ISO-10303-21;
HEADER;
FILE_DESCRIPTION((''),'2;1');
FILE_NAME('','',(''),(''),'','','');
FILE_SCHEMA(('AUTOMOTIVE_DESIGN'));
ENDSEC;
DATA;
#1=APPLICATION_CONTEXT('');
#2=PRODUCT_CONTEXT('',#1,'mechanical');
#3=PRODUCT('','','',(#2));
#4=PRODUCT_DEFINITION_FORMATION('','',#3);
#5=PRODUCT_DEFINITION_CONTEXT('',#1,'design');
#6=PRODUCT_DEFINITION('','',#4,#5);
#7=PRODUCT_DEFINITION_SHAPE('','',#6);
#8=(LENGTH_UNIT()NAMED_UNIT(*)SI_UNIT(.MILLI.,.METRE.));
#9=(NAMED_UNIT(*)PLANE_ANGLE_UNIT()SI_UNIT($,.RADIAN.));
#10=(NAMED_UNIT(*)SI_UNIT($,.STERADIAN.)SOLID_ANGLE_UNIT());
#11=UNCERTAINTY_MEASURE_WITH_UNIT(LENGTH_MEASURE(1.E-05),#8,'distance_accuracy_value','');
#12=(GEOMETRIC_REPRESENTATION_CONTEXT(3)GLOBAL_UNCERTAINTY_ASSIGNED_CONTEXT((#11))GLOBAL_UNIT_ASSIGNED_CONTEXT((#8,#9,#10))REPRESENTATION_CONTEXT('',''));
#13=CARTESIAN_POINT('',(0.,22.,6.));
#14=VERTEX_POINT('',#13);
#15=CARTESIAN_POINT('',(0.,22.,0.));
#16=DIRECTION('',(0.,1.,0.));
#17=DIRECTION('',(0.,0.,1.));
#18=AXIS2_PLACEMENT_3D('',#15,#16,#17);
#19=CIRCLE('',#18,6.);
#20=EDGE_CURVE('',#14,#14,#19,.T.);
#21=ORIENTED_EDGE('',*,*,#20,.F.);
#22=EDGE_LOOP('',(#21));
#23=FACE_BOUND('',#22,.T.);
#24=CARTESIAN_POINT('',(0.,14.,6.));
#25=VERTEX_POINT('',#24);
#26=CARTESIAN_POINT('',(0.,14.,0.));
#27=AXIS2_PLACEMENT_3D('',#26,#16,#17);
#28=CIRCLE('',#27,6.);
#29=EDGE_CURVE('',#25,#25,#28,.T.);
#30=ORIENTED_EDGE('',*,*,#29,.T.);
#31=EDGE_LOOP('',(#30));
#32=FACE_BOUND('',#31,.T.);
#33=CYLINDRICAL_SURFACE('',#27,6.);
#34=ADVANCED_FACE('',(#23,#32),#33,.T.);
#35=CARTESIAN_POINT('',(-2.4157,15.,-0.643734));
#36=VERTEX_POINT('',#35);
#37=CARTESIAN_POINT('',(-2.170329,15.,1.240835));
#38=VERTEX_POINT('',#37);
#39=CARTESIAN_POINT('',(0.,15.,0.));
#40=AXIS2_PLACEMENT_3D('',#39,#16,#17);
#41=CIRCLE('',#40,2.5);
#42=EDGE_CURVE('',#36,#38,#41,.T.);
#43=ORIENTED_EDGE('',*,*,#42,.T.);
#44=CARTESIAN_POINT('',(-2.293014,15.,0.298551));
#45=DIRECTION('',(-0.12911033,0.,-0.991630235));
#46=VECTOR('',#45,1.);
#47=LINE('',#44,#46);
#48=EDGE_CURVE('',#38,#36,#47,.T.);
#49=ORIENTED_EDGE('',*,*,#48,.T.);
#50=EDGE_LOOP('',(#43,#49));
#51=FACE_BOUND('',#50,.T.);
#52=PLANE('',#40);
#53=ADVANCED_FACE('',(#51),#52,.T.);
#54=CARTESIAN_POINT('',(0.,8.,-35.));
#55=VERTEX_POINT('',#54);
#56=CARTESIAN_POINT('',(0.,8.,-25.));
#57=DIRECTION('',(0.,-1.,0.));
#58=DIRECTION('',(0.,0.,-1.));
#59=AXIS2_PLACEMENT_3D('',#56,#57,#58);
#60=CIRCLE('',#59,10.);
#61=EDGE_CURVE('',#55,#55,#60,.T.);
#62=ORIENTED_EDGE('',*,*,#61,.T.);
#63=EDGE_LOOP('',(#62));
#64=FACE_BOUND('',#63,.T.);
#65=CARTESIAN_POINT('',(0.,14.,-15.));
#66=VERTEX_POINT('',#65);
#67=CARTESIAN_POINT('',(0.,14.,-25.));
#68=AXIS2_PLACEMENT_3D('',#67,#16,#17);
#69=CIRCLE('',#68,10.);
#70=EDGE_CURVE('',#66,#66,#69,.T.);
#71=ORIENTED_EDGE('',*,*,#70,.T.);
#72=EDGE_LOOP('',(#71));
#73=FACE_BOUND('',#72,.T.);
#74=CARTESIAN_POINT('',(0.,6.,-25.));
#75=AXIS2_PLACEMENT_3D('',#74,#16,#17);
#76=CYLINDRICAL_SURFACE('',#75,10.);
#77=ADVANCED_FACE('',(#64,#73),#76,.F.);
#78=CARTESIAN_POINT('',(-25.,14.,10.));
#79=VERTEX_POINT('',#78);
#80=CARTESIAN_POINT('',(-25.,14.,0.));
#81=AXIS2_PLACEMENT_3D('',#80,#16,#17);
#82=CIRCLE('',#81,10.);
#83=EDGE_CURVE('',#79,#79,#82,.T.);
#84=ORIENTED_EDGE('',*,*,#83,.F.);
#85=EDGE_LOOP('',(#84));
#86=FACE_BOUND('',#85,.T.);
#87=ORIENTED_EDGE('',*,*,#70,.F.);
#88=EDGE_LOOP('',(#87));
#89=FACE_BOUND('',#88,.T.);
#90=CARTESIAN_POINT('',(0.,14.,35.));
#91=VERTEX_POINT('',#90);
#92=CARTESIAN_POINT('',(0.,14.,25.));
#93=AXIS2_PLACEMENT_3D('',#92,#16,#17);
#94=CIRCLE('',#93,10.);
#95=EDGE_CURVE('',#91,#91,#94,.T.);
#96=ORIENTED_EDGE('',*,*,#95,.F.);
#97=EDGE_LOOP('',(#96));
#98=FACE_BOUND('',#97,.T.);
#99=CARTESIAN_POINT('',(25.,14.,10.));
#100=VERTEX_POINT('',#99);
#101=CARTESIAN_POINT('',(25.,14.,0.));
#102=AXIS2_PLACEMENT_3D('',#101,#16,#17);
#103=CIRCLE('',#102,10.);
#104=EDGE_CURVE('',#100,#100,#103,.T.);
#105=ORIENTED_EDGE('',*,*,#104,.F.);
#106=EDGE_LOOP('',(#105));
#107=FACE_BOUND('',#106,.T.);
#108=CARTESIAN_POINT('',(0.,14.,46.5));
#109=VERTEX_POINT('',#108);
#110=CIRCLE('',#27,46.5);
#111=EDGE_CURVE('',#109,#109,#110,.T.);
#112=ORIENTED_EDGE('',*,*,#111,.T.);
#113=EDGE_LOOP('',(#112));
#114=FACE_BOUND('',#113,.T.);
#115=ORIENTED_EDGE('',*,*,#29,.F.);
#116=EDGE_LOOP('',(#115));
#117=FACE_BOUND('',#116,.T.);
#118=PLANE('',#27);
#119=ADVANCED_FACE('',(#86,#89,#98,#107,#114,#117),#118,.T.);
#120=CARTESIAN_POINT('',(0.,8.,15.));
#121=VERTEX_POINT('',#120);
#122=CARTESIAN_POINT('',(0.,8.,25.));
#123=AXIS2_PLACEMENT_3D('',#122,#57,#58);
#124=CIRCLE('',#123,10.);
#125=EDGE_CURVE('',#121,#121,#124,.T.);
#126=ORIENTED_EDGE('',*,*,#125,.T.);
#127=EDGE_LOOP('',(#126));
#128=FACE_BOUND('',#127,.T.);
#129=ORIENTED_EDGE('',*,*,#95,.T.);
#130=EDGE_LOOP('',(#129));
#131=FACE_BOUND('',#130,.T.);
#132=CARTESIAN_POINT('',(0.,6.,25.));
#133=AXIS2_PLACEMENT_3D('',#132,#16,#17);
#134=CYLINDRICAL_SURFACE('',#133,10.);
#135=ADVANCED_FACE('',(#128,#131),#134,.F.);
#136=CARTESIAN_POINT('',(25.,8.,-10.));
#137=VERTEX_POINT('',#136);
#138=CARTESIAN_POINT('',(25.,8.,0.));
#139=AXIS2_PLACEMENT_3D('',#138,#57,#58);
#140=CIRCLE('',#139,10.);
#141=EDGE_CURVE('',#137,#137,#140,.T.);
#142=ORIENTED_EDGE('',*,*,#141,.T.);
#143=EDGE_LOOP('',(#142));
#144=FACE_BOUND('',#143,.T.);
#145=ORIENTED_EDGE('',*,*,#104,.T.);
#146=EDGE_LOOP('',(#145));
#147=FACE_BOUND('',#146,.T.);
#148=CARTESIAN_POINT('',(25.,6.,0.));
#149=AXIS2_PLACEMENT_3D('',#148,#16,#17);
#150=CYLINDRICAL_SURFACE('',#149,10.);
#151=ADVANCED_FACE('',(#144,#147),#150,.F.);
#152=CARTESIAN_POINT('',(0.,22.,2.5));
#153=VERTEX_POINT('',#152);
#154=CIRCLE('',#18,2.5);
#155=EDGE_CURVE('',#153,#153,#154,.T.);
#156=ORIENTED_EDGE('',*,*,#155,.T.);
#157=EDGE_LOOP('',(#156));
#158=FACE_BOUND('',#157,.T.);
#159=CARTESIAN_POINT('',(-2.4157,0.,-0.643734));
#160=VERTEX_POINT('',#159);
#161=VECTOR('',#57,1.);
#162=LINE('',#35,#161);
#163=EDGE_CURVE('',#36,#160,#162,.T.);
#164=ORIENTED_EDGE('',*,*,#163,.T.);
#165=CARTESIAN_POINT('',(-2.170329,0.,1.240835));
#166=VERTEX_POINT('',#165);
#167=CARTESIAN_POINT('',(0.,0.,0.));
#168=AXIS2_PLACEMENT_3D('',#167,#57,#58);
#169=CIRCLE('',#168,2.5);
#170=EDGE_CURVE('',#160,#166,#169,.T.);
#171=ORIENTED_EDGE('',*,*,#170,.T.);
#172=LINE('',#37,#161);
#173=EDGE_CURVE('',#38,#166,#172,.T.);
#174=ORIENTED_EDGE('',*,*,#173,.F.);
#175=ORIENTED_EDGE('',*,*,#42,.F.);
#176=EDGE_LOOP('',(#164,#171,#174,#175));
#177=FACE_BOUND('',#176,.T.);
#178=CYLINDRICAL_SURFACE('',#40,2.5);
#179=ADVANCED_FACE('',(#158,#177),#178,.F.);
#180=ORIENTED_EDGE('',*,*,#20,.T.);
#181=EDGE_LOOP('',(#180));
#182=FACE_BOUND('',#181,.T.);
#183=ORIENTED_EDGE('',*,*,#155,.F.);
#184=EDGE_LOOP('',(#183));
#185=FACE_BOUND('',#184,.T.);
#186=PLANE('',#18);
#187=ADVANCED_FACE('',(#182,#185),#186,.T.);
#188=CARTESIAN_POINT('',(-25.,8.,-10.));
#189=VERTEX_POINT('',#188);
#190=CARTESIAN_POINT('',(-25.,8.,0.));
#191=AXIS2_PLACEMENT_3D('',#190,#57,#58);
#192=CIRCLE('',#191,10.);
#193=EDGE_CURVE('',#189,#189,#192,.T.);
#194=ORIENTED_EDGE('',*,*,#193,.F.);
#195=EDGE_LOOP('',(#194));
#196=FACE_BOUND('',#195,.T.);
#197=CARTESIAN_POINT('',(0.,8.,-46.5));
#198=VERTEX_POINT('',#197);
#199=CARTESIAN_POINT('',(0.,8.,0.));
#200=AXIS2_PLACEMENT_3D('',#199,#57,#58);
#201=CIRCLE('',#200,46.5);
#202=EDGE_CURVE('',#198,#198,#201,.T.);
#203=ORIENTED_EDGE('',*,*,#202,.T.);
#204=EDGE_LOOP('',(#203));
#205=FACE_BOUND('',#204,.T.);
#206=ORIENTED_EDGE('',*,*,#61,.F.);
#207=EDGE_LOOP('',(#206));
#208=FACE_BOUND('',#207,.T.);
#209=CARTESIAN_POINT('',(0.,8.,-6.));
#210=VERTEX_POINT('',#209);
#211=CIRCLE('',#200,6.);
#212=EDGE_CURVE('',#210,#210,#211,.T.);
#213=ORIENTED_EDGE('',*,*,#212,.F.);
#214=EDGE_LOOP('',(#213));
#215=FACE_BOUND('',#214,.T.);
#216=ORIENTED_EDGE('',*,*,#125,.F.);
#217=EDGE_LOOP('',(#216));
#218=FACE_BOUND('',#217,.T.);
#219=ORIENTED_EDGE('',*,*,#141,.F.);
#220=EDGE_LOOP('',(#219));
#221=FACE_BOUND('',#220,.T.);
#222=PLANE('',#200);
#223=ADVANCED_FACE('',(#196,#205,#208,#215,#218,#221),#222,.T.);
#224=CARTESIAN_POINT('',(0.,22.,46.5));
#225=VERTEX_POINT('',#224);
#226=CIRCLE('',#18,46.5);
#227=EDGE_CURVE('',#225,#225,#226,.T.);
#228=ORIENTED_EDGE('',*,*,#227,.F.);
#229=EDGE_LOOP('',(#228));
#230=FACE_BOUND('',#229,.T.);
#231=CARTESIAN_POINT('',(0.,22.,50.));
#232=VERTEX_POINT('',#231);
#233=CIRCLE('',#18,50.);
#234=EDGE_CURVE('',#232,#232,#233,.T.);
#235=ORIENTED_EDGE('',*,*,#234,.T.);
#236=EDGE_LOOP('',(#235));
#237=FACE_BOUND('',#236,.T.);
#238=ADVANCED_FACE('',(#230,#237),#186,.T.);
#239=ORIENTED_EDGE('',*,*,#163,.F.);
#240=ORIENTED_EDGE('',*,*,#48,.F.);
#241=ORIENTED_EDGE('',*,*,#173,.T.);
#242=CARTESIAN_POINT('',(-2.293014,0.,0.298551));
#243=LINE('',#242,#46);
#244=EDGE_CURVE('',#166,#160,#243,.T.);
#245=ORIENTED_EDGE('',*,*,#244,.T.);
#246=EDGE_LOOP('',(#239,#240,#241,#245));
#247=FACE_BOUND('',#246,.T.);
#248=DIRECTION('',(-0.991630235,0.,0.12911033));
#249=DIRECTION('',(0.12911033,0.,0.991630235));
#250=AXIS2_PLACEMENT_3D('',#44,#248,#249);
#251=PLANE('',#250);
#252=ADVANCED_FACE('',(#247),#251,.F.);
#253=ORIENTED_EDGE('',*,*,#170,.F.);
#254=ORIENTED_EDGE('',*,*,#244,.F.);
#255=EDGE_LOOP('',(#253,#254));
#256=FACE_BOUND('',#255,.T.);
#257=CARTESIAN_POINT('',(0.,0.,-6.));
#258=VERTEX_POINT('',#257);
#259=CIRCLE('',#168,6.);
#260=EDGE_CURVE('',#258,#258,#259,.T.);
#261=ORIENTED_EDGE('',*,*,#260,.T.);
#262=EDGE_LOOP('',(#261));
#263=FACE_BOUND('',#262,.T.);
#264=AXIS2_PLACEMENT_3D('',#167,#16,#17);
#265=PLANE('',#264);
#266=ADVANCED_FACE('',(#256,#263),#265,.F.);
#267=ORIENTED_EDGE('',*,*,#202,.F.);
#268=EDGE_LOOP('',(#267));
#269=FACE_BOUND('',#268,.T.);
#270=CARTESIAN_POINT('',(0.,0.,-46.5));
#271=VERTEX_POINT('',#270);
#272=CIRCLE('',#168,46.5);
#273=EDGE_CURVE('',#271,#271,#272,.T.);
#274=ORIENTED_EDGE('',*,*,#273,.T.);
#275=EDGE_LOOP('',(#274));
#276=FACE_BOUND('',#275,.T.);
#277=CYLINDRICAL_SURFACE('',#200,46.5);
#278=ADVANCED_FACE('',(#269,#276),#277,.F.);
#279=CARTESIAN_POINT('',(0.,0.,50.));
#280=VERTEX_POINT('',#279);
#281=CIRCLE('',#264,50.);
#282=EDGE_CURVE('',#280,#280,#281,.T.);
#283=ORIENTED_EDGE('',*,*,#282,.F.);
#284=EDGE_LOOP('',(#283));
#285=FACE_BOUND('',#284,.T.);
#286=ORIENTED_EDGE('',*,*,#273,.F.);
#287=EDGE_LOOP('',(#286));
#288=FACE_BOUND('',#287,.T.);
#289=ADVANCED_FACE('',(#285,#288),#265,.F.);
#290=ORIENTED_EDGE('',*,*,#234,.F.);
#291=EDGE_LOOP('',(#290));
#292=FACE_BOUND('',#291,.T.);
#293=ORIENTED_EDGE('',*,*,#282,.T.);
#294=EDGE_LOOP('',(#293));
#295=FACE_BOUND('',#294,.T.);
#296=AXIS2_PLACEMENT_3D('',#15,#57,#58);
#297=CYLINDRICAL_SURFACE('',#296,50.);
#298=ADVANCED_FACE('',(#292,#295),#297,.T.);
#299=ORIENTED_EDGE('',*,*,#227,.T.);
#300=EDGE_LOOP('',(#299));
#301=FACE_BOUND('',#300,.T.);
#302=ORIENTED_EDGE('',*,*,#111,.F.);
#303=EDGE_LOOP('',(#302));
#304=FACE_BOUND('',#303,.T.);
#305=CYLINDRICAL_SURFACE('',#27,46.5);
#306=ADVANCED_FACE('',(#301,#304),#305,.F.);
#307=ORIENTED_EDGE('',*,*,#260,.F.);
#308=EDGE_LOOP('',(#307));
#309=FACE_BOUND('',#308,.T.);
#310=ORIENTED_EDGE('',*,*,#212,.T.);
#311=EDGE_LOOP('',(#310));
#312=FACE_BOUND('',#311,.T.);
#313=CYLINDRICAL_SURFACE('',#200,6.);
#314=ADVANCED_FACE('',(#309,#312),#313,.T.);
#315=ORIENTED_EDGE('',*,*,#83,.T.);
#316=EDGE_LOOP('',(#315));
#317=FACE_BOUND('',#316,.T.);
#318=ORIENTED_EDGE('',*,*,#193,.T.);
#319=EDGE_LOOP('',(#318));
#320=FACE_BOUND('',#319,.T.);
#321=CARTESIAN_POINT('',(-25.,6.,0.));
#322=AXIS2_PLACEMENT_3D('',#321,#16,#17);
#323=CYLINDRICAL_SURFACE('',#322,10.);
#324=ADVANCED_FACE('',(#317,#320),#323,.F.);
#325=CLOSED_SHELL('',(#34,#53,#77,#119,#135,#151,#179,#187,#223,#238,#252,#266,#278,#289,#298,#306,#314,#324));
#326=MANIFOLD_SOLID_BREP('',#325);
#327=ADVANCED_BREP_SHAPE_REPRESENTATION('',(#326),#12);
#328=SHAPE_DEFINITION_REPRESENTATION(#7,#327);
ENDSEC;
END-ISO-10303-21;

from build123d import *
from build123d.topology import SkipClean

# Parameters (mm, degrees)
ESQUISSE1_R             = 50
BOSS_EXTRU_1_DEPTH      = 22
ESQUISSE2_R             = 2.5
ENL_V_MAT_EXTRU_1_DEPTH = 7
ENL_V_START             = -15
ENL_V_MAT_EXTRU_3_DEPTH = 15
ESQUISSE4_R             = 46.5
ESQUISSE4_R_2           = 6
ENL_V_MAT_EXTRU_4_DEPTH = 8
ENL_V_START_2           = -8
ESQUISSE5_R             = 46.5
ESQUISSE5_R_2           = 6
ENL_V_MAT_EXTRU_5_DEPTH = 8
ESQUISSE6_R             = 10
ENL_V_MAT_EXTRU_6_DEPTH = 8
ESQUISSE7_R             = 10
ENL_V_MAT_EXTRU_7_DEPTH = 8
ESQUISSE8_R             = 10
ENL_V_MAT_EXTRU_8_DEPTH = 8
ESQUISSE9_R             = 10
ENL_V_MAT_EXTRU_9_DEPTH = 8


with BuildPart() as part:
    # Esquisse1 → Boss.-Extru.1 (new body)
    with BuildSketch(Plane(origin=(0, 0, 0), x_dir=(1, 0, 0), z_dir=(0, 1, 0))):
        with Locations(Location((0, 0, 0), (0, 0, 270))):
            Circle(ESQUISSE1_R)
    extrude(amount=BOSS_EXTRU_1_DEPTH)

    # Esquisse2 → Enlèv. mat.-Extru.1 (cut)
    with BuildSketch(Plane(origin=(0, 22, 0), x_dir=(1, 0, 0), z_dir=(0, 1, 0))):
        with Locations(Location((0, 0, 0), (0, 0, 270))):
            Circle(ESQUISSE2_R)
    extrude(amount=-ENL_V_MAT_EXTRU_1_DEPTH, mode=Mode.SUBTRACT)

    # Esquisse3 → Enlèv. mat.-Extru.3 (cut)
    with SkipClean():  # the faces are left unmerged after this step: merging them gives an invalid solid
        with BuildSketch(Plane(origin=(0, 0, 0), x_dir=(-1, 0, 0), z_dir=(0, -1, 0)).offset(ENL_V_START)):
            with BuildLine():
                ThreePointArc((2.415699998, 0.643734045), (-2.479075587, 0.322775824), (2.170328924, -1.240835348))
                Line((2.170328924, -1.240835348), (2.415699998, 0.643734045))
            make_face()
        extrude(amount=ENL_V_MAT_EXTRU_3_DEPTH, mode=Mode.SUBTRACT)

    # Esquisse4 → Enlèv. mat.-Extru.4 (cut)
    with SkipClean():  # the faces are left unmerged after this step: merging them gives an invalid solid
        with BuildSketch(Plane(origin=(0, 22, 0), x_dir=(1, 0, 0), z_dir=(0, 1, 0))):
            with Locations(Location((0, 0, 0), (0, 0, 270))):
                Circle(ESQUISSE4_R)
            with Locations(Location((0, 0, 0), (0, 0, 270))):
                Circle(ESQUISSE4_R_2, mode=Mode.SUBTRACT)
        extrude(amount=-ENL_V_MAT_EXTRU_4_DEPTH, mode=Mode.SUBTRACT)

    # Esquisse5 → Enlèv. mat.-Extru.5 (cut)
    with SkipClean():  # the faces are left unmerged after this step: merging them gives an invalid solid
        with BuildSketch(Plane(origin=(0, 0, 0), x_dir=(-1, 0, 0), z_dir=(0, -1, 0)).offset(ENL_V_START_2)):
            with Locations(Location((0, 0, 0), (0, 0, 270))):
                Circle(ESQUISSE5_R)
            with Locations(Location((0, 0, 0), (0, 0, 270))):
                Circle(ESQUISSE5_R_2, mode=Mode.SUBTRACT)
        extrude(amount=ENL_V_MAT_EXTRU_5_DEPTH, mode=Mode.SUBTRACT)

    # Esquisse6 → Enlèv. mat.-Extru.6 (cut)
    with SkipClean():  # the faces are left unmerged after this step: merging them gives an invalid solid
        with BuildSketch(Plane(origin=(0, 14, 0), x_dir=(1, 0, 0), z_dir=(0, 1, 0))):
            with Locations(Location((0, 25, 0), (0, 0, 270))):
                Circle(ESQUISSE6_R)
        extrude(amount=-ENL_V_MAT_EXTRU_6_DEPTH, mode=Mode.SUBTRACT)

    # Esquisse7 → Enlèv. mat.-Extru.7 (cut)
    with SkipClean():  # the faces are left unmerged after this step: merging them gives an invalid solid
        with BuildSketch(Plane(origin=(0, 14, 0), x_dir=(1, 0, 0), z_dir=(0, 1, 0))):
            with Locations(Location((25, 0, 0), (0, 0, 270))):
                Circle(ESQUISSE7_R)
        extrude(amount=-ENL_V_MAT_EXTRU_7_DEPTH, mode=Mode.SUBTRACT)

    # Esquisse8 → Enlèv. mat.-Extru.8 (cut)
    with SkipClean():  # the faces are left unmerged after this step: merging them gives an invalid solid
        with BuildSketch(Plane(origin=(0, 14, 0), x_dir=(1, 0, 0), z_dir=(0, 1, 0))):
            with Locations(Location((0, -25, 0), (0, 0, 270))):
                Circle(ESQUISSE8_R)
        extrude(amount=-ENL_V_MAT_EXTRU_8_DEPTH, mode=Mode.SUBTRACT)

    # Esquisse9 → Enlèv. mat.-Extru.9 (cut)
    with SkipClean():  # the faces are left unmerged after this step: merging them gives an invalid solid
        with BuildSketch(Plane(origin=(0, 14, 0), x_dir=(1, 0, 0), z_dir=(0, 1, 0))):
            with Locations(Location((-25, 0, 0), (0, 0, 270))):
                Circle(ESQUISSE9_R)
        extrude(amount=-ENL_V_MAT_EXTRU_9_DEPTH, mode=Mode.SUBTRACT)


solid = part.part
